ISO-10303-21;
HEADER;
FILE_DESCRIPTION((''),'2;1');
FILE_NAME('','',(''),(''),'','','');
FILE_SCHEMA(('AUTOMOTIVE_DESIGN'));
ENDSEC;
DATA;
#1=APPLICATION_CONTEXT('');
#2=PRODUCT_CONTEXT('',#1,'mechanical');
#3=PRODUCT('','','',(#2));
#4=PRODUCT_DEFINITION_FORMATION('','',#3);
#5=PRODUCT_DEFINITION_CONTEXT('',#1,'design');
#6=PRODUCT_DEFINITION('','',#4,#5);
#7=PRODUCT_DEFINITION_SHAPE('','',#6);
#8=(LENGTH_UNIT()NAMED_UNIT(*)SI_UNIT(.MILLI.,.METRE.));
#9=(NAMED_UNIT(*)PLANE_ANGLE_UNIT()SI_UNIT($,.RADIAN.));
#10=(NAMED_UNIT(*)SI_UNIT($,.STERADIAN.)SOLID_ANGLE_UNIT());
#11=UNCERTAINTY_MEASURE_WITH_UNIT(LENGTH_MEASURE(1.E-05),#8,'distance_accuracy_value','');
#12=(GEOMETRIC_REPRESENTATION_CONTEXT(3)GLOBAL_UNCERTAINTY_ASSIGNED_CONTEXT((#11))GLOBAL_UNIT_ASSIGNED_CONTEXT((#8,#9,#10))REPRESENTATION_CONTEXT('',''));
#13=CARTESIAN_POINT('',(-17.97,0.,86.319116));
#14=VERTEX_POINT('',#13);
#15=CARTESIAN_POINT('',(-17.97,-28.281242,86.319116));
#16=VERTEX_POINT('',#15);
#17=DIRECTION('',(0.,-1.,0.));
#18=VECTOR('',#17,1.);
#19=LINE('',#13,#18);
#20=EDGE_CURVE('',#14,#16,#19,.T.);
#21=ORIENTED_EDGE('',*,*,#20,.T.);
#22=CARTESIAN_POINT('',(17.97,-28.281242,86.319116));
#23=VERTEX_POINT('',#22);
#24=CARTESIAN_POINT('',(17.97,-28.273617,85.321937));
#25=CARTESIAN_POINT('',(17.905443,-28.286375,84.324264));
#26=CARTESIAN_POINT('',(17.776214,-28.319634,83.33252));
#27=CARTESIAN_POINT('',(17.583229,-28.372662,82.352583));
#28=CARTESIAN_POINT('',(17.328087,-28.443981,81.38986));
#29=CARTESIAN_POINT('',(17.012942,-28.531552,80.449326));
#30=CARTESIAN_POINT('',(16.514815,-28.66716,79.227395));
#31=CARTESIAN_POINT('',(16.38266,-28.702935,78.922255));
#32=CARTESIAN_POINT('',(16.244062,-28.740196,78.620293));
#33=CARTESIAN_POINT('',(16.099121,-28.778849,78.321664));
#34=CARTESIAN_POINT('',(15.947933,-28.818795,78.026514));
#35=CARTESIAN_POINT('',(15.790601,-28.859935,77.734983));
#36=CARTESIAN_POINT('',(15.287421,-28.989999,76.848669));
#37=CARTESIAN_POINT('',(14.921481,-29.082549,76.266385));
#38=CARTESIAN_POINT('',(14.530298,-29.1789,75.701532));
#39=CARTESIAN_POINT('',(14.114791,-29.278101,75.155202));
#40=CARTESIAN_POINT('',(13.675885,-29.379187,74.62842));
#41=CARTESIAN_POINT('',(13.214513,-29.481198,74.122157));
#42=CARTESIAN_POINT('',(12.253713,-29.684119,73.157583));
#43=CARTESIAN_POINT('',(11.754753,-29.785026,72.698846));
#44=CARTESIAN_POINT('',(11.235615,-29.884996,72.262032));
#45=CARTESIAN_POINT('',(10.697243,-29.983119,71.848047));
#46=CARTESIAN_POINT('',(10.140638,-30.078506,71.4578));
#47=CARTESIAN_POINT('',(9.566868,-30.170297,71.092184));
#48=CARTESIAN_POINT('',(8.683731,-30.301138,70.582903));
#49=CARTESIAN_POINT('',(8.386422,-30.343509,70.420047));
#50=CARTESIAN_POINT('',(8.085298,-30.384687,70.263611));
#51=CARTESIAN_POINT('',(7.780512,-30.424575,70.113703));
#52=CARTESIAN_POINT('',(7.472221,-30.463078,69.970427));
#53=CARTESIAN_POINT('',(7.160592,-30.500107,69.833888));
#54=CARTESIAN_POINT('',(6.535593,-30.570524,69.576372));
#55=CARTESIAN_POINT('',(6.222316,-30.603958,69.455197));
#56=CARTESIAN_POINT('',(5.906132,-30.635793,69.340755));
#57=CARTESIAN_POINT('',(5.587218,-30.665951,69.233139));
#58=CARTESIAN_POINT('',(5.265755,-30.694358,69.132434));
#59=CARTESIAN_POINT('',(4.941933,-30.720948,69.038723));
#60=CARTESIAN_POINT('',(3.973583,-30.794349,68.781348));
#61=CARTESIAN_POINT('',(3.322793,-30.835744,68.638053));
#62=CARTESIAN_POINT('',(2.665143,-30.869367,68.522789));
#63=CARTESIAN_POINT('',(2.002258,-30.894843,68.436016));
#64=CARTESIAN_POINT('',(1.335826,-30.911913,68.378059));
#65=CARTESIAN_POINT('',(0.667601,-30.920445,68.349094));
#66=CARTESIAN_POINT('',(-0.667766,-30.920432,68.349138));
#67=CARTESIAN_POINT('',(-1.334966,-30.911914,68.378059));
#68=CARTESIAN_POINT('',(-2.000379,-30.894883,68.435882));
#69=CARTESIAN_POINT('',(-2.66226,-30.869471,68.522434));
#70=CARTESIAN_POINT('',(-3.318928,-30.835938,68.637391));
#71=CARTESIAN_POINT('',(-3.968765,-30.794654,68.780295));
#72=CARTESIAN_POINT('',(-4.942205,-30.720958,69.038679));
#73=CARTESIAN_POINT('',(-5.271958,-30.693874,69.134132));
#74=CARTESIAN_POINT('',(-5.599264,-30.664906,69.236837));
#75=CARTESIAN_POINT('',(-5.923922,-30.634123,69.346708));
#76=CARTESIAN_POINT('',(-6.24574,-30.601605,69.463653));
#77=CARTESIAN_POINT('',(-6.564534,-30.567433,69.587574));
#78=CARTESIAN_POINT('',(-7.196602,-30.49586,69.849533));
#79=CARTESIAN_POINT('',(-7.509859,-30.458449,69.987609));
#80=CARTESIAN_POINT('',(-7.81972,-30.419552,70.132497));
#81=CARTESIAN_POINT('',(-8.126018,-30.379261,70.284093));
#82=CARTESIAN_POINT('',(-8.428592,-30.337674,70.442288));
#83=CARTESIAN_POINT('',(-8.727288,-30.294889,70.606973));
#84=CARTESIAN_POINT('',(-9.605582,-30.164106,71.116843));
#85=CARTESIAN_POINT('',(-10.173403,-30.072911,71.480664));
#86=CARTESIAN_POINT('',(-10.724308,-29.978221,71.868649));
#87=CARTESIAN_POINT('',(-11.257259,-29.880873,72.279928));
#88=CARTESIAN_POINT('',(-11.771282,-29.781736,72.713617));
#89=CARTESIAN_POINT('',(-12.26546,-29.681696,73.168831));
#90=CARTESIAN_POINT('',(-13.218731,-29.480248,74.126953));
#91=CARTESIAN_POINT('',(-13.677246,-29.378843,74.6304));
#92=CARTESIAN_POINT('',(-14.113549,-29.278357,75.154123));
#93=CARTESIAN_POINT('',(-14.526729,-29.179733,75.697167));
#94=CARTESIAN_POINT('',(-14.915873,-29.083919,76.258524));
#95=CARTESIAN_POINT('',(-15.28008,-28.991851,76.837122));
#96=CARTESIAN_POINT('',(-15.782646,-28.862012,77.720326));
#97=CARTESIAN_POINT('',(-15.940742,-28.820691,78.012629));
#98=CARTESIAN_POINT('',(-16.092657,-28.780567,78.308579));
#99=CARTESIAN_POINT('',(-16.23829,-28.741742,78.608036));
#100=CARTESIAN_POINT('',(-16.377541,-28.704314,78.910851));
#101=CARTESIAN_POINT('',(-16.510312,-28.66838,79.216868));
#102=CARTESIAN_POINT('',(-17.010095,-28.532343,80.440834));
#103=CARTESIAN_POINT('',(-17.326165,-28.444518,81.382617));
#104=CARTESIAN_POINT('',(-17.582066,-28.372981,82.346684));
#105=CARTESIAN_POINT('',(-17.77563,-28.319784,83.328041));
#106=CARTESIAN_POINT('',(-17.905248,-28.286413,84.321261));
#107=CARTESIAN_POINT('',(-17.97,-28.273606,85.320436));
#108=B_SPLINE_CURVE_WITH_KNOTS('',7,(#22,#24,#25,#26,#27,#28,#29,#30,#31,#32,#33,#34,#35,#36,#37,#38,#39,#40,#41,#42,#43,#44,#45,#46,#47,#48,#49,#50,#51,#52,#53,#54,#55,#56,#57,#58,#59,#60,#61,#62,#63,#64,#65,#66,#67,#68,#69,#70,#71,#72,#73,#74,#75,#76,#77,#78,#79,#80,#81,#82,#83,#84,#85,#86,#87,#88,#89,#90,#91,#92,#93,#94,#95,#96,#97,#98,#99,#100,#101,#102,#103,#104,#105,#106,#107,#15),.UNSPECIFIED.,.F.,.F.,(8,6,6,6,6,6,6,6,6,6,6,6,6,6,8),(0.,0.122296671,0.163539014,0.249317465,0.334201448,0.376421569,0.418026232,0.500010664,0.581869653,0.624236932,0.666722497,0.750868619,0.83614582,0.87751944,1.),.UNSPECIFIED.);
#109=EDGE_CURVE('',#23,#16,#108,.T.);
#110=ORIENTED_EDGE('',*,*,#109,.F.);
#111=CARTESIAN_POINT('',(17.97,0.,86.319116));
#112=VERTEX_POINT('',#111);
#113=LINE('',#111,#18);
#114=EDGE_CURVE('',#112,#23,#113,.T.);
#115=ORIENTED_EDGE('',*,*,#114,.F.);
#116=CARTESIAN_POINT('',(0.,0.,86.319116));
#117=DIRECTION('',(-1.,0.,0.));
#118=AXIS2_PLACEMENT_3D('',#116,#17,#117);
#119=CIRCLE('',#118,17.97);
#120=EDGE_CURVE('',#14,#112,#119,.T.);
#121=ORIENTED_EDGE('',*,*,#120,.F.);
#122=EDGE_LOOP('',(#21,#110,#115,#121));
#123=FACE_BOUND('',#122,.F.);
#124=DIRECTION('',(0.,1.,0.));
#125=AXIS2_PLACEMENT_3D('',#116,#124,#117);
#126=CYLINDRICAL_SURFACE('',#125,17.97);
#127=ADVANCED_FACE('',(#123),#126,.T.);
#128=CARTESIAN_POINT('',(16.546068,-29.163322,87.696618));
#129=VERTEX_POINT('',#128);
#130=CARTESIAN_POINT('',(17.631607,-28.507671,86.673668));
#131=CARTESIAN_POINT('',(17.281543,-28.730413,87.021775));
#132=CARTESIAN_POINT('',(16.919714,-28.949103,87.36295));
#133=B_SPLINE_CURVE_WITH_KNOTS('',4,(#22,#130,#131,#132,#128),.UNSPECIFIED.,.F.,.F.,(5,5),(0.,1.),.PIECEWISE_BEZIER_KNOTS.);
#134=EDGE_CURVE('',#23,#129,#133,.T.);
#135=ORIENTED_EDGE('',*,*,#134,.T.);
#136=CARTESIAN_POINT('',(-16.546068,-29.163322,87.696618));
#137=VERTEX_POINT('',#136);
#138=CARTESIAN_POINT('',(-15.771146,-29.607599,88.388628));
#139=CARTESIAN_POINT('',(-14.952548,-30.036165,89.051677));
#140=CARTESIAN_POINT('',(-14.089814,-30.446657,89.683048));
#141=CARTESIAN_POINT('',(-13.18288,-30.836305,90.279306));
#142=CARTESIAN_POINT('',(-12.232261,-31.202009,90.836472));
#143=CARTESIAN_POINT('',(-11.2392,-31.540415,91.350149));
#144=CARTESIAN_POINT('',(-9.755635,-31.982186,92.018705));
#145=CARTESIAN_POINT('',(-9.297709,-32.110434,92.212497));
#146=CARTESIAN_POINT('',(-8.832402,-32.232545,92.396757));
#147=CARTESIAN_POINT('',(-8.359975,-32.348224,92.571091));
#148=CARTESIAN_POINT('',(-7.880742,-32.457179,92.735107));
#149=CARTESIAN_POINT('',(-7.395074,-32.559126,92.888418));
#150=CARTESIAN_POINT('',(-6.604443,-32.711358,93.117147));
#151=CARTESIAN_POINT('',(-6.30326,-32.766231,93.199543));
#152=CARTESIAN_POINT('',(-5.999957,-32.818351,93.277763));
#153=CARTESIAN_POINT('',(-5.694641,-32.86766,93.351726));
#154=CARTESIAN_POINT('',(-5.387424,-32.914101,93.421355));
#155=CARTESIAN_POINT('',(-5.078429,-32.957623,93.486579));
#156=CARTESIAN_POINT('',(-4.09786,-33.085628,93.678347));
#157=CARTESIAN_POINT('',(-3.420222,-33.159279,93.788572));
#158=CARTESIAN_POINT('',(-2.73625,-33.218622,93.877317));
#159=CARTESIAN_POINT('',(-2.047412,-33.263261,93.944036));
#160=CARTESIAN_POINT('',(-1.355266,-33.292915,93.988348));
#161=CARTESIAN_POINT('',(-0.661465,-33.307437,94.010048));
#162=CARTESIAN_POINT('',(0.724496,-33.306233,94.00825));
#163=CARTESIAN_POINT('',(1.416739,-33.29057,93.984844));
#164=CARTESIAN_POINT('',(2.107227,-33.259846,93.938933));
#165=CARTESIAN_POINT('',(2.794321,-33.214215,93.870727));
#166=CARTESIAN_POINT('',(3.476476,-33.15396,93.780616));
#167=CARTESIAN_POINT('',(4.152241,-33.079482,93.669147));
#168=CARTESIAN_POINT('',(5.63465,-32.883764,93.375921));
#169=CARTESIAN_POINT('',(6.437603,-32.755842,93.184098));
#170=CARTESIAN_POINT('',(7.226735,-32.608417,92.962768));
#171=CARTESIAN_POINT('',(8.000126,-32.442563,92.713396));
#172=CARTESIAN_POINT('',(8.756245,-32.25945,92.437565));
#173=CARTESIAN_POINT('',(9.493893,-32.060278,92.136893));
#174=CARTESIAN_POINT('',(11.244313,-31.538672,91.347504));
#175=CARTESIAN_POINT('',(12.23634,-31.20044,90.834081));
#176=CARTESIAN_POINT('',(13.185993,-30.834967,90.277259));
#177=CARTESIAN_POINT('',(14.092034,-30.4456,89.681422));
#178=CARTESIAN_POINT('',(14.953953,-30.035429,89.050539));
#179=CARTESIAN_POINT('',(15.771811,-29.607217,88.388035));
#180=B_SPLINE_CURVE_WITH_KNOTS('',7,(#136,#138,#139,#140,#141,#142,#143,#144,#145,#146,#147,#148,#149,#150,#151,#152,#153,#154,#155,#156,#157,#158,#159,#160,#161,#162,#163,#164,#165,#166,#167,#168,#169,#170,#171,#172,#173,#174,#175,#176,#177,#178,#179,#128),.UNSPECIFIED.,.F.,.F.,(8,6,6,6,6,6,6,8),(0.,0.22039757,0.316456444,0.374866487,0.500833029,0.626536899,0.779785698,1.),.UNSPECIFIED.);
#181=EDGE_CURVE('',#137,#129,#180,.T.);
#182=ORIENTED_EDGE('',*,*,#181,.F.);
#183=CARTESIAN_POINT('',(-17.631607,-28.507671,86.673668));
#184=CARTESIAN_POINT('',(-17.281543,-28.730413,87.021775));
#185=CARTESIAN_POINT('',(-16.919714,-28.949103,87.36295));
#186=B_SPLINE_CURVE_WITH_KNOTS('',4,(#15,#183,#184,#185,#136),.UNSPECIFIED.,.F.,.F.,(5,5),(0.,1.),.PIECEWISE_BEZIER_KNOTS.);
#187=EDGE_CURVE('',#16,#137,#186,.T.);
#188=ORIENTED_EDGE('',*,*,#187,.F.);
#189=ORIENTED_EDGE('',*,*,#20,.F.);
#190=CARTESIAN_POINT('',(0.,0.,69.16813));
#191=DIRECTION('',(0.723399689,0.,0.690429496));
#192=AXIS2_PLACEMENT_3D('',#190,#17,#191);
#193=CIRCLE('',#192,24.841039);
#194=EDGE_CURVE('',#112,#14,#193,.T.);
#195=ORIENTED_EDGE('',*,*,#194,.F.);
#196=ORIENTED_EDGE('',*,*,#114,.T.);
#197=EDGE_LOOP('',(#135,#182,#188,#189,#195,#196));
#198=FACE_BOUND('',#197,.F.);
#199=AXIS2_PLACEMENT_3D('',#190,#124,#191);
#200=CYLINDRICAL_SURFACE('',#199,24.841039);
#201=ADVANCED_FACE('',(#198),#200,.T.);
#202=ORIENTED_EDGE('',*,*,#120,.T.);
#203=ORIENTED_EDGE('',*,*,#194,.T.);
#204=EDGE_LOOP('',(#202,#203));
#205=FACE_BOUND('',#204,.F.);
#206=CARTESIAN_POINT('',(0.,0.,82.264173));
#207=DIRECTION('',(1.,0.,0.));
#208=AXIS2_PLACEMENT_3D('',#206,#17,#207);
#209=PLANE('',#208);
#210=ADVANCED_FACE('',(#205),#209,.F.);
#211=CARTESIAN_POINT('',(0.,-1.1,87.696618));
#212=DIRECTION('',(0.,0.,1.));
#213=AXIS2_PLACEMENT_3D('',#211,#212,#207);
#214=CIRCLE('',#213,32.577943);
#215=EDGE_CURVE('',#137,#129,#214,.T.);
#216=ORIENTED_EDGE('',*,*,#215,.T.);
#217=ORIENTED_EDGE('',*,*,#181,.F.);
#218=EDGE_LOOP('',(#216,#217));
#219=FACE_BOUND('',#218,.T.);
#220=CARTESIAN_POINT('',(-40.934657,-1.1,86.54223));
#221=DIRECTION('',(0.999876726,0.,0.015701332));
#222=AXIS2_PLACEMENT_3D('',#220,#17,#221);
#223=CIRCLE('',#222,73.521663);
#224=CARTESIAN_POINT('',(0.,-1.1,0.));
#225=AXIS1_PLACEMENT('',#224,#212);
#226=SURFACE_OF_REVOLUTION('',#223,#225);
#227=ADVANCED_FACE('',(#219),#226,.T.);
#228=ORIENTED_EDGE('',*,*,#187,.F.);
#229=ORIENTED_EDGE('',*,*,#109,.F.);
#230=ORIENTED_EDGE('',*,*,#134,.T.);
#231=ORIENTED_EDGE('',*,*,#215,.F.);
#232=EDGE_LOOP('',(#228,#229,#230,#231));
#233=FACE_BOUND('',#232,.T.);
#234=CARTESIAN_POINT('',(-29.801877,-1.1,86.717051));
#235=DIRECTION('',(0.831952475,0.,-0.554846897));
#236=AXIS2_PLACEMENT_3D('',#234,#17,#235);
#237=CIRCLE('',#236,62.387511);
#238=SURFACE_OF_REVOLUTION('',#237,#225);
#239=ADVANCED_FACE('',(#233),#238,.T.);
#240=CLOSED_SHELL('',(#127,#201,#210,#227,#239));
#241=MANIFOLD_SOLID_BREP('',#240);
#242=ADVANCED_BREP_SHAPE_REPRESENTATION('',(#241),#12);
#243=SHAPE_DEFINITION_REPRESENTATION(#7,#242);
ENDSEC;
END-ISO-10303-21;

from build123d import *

# Parameters (mm, degrees)
EXTRUDE008_DEPTH = 100


with BuildPart() as body009:
    # Sketch045 → Revolution002 (revolve)
    with BuildSketch(Plane.XZ):
        with BuildLine():
            Line((0, 0), (0, 135.563389))
            ThreePointArc((23.86226, 121.281178), (13.904936, 131.720055), (0, 135.563389))
            ThreePointArc((32.577943, 87.696618), (30.229669, 105.01041), (23.86226, 121.281178))
            ThreePointArc((22.101567, 52.101534), (30.047255, 69.102202), (32.577943, 87.696618))
            ThreePointArc((22.101567, 52.101534), (13.488015, 26.476163), (18.952965, 0))
            Line((0, 0), (18.952965, 0))
        make_face()
    revolve(axis=Axis((0, 0, 0), (0, 0, 1)))


with BuildPart() as body009_1:
    # Clone010 placement: moved
    add(body009.part.moved(Location((0, -1.1, 0))))


with BuildPart() as common007:
    # Sketch056 → Extrude008 (new body)
    with BuildSketch(Plane.XZ):
        with BuildLine():
            ThreePointArc((-17.97, 86.319116), (0, 68.349116), (17.97, 86.319116))
            ThreePointArc((17.97, 86.319116), (0, 94.009169), (-17.97, 86.319116))
        make_face()
    extrude(amount=EXTRUDE008_DEPTH)

    # Common007: intersect Body009
    add(body009_1.part, mode=Mode.INTERSECT)


solid = common007.part
